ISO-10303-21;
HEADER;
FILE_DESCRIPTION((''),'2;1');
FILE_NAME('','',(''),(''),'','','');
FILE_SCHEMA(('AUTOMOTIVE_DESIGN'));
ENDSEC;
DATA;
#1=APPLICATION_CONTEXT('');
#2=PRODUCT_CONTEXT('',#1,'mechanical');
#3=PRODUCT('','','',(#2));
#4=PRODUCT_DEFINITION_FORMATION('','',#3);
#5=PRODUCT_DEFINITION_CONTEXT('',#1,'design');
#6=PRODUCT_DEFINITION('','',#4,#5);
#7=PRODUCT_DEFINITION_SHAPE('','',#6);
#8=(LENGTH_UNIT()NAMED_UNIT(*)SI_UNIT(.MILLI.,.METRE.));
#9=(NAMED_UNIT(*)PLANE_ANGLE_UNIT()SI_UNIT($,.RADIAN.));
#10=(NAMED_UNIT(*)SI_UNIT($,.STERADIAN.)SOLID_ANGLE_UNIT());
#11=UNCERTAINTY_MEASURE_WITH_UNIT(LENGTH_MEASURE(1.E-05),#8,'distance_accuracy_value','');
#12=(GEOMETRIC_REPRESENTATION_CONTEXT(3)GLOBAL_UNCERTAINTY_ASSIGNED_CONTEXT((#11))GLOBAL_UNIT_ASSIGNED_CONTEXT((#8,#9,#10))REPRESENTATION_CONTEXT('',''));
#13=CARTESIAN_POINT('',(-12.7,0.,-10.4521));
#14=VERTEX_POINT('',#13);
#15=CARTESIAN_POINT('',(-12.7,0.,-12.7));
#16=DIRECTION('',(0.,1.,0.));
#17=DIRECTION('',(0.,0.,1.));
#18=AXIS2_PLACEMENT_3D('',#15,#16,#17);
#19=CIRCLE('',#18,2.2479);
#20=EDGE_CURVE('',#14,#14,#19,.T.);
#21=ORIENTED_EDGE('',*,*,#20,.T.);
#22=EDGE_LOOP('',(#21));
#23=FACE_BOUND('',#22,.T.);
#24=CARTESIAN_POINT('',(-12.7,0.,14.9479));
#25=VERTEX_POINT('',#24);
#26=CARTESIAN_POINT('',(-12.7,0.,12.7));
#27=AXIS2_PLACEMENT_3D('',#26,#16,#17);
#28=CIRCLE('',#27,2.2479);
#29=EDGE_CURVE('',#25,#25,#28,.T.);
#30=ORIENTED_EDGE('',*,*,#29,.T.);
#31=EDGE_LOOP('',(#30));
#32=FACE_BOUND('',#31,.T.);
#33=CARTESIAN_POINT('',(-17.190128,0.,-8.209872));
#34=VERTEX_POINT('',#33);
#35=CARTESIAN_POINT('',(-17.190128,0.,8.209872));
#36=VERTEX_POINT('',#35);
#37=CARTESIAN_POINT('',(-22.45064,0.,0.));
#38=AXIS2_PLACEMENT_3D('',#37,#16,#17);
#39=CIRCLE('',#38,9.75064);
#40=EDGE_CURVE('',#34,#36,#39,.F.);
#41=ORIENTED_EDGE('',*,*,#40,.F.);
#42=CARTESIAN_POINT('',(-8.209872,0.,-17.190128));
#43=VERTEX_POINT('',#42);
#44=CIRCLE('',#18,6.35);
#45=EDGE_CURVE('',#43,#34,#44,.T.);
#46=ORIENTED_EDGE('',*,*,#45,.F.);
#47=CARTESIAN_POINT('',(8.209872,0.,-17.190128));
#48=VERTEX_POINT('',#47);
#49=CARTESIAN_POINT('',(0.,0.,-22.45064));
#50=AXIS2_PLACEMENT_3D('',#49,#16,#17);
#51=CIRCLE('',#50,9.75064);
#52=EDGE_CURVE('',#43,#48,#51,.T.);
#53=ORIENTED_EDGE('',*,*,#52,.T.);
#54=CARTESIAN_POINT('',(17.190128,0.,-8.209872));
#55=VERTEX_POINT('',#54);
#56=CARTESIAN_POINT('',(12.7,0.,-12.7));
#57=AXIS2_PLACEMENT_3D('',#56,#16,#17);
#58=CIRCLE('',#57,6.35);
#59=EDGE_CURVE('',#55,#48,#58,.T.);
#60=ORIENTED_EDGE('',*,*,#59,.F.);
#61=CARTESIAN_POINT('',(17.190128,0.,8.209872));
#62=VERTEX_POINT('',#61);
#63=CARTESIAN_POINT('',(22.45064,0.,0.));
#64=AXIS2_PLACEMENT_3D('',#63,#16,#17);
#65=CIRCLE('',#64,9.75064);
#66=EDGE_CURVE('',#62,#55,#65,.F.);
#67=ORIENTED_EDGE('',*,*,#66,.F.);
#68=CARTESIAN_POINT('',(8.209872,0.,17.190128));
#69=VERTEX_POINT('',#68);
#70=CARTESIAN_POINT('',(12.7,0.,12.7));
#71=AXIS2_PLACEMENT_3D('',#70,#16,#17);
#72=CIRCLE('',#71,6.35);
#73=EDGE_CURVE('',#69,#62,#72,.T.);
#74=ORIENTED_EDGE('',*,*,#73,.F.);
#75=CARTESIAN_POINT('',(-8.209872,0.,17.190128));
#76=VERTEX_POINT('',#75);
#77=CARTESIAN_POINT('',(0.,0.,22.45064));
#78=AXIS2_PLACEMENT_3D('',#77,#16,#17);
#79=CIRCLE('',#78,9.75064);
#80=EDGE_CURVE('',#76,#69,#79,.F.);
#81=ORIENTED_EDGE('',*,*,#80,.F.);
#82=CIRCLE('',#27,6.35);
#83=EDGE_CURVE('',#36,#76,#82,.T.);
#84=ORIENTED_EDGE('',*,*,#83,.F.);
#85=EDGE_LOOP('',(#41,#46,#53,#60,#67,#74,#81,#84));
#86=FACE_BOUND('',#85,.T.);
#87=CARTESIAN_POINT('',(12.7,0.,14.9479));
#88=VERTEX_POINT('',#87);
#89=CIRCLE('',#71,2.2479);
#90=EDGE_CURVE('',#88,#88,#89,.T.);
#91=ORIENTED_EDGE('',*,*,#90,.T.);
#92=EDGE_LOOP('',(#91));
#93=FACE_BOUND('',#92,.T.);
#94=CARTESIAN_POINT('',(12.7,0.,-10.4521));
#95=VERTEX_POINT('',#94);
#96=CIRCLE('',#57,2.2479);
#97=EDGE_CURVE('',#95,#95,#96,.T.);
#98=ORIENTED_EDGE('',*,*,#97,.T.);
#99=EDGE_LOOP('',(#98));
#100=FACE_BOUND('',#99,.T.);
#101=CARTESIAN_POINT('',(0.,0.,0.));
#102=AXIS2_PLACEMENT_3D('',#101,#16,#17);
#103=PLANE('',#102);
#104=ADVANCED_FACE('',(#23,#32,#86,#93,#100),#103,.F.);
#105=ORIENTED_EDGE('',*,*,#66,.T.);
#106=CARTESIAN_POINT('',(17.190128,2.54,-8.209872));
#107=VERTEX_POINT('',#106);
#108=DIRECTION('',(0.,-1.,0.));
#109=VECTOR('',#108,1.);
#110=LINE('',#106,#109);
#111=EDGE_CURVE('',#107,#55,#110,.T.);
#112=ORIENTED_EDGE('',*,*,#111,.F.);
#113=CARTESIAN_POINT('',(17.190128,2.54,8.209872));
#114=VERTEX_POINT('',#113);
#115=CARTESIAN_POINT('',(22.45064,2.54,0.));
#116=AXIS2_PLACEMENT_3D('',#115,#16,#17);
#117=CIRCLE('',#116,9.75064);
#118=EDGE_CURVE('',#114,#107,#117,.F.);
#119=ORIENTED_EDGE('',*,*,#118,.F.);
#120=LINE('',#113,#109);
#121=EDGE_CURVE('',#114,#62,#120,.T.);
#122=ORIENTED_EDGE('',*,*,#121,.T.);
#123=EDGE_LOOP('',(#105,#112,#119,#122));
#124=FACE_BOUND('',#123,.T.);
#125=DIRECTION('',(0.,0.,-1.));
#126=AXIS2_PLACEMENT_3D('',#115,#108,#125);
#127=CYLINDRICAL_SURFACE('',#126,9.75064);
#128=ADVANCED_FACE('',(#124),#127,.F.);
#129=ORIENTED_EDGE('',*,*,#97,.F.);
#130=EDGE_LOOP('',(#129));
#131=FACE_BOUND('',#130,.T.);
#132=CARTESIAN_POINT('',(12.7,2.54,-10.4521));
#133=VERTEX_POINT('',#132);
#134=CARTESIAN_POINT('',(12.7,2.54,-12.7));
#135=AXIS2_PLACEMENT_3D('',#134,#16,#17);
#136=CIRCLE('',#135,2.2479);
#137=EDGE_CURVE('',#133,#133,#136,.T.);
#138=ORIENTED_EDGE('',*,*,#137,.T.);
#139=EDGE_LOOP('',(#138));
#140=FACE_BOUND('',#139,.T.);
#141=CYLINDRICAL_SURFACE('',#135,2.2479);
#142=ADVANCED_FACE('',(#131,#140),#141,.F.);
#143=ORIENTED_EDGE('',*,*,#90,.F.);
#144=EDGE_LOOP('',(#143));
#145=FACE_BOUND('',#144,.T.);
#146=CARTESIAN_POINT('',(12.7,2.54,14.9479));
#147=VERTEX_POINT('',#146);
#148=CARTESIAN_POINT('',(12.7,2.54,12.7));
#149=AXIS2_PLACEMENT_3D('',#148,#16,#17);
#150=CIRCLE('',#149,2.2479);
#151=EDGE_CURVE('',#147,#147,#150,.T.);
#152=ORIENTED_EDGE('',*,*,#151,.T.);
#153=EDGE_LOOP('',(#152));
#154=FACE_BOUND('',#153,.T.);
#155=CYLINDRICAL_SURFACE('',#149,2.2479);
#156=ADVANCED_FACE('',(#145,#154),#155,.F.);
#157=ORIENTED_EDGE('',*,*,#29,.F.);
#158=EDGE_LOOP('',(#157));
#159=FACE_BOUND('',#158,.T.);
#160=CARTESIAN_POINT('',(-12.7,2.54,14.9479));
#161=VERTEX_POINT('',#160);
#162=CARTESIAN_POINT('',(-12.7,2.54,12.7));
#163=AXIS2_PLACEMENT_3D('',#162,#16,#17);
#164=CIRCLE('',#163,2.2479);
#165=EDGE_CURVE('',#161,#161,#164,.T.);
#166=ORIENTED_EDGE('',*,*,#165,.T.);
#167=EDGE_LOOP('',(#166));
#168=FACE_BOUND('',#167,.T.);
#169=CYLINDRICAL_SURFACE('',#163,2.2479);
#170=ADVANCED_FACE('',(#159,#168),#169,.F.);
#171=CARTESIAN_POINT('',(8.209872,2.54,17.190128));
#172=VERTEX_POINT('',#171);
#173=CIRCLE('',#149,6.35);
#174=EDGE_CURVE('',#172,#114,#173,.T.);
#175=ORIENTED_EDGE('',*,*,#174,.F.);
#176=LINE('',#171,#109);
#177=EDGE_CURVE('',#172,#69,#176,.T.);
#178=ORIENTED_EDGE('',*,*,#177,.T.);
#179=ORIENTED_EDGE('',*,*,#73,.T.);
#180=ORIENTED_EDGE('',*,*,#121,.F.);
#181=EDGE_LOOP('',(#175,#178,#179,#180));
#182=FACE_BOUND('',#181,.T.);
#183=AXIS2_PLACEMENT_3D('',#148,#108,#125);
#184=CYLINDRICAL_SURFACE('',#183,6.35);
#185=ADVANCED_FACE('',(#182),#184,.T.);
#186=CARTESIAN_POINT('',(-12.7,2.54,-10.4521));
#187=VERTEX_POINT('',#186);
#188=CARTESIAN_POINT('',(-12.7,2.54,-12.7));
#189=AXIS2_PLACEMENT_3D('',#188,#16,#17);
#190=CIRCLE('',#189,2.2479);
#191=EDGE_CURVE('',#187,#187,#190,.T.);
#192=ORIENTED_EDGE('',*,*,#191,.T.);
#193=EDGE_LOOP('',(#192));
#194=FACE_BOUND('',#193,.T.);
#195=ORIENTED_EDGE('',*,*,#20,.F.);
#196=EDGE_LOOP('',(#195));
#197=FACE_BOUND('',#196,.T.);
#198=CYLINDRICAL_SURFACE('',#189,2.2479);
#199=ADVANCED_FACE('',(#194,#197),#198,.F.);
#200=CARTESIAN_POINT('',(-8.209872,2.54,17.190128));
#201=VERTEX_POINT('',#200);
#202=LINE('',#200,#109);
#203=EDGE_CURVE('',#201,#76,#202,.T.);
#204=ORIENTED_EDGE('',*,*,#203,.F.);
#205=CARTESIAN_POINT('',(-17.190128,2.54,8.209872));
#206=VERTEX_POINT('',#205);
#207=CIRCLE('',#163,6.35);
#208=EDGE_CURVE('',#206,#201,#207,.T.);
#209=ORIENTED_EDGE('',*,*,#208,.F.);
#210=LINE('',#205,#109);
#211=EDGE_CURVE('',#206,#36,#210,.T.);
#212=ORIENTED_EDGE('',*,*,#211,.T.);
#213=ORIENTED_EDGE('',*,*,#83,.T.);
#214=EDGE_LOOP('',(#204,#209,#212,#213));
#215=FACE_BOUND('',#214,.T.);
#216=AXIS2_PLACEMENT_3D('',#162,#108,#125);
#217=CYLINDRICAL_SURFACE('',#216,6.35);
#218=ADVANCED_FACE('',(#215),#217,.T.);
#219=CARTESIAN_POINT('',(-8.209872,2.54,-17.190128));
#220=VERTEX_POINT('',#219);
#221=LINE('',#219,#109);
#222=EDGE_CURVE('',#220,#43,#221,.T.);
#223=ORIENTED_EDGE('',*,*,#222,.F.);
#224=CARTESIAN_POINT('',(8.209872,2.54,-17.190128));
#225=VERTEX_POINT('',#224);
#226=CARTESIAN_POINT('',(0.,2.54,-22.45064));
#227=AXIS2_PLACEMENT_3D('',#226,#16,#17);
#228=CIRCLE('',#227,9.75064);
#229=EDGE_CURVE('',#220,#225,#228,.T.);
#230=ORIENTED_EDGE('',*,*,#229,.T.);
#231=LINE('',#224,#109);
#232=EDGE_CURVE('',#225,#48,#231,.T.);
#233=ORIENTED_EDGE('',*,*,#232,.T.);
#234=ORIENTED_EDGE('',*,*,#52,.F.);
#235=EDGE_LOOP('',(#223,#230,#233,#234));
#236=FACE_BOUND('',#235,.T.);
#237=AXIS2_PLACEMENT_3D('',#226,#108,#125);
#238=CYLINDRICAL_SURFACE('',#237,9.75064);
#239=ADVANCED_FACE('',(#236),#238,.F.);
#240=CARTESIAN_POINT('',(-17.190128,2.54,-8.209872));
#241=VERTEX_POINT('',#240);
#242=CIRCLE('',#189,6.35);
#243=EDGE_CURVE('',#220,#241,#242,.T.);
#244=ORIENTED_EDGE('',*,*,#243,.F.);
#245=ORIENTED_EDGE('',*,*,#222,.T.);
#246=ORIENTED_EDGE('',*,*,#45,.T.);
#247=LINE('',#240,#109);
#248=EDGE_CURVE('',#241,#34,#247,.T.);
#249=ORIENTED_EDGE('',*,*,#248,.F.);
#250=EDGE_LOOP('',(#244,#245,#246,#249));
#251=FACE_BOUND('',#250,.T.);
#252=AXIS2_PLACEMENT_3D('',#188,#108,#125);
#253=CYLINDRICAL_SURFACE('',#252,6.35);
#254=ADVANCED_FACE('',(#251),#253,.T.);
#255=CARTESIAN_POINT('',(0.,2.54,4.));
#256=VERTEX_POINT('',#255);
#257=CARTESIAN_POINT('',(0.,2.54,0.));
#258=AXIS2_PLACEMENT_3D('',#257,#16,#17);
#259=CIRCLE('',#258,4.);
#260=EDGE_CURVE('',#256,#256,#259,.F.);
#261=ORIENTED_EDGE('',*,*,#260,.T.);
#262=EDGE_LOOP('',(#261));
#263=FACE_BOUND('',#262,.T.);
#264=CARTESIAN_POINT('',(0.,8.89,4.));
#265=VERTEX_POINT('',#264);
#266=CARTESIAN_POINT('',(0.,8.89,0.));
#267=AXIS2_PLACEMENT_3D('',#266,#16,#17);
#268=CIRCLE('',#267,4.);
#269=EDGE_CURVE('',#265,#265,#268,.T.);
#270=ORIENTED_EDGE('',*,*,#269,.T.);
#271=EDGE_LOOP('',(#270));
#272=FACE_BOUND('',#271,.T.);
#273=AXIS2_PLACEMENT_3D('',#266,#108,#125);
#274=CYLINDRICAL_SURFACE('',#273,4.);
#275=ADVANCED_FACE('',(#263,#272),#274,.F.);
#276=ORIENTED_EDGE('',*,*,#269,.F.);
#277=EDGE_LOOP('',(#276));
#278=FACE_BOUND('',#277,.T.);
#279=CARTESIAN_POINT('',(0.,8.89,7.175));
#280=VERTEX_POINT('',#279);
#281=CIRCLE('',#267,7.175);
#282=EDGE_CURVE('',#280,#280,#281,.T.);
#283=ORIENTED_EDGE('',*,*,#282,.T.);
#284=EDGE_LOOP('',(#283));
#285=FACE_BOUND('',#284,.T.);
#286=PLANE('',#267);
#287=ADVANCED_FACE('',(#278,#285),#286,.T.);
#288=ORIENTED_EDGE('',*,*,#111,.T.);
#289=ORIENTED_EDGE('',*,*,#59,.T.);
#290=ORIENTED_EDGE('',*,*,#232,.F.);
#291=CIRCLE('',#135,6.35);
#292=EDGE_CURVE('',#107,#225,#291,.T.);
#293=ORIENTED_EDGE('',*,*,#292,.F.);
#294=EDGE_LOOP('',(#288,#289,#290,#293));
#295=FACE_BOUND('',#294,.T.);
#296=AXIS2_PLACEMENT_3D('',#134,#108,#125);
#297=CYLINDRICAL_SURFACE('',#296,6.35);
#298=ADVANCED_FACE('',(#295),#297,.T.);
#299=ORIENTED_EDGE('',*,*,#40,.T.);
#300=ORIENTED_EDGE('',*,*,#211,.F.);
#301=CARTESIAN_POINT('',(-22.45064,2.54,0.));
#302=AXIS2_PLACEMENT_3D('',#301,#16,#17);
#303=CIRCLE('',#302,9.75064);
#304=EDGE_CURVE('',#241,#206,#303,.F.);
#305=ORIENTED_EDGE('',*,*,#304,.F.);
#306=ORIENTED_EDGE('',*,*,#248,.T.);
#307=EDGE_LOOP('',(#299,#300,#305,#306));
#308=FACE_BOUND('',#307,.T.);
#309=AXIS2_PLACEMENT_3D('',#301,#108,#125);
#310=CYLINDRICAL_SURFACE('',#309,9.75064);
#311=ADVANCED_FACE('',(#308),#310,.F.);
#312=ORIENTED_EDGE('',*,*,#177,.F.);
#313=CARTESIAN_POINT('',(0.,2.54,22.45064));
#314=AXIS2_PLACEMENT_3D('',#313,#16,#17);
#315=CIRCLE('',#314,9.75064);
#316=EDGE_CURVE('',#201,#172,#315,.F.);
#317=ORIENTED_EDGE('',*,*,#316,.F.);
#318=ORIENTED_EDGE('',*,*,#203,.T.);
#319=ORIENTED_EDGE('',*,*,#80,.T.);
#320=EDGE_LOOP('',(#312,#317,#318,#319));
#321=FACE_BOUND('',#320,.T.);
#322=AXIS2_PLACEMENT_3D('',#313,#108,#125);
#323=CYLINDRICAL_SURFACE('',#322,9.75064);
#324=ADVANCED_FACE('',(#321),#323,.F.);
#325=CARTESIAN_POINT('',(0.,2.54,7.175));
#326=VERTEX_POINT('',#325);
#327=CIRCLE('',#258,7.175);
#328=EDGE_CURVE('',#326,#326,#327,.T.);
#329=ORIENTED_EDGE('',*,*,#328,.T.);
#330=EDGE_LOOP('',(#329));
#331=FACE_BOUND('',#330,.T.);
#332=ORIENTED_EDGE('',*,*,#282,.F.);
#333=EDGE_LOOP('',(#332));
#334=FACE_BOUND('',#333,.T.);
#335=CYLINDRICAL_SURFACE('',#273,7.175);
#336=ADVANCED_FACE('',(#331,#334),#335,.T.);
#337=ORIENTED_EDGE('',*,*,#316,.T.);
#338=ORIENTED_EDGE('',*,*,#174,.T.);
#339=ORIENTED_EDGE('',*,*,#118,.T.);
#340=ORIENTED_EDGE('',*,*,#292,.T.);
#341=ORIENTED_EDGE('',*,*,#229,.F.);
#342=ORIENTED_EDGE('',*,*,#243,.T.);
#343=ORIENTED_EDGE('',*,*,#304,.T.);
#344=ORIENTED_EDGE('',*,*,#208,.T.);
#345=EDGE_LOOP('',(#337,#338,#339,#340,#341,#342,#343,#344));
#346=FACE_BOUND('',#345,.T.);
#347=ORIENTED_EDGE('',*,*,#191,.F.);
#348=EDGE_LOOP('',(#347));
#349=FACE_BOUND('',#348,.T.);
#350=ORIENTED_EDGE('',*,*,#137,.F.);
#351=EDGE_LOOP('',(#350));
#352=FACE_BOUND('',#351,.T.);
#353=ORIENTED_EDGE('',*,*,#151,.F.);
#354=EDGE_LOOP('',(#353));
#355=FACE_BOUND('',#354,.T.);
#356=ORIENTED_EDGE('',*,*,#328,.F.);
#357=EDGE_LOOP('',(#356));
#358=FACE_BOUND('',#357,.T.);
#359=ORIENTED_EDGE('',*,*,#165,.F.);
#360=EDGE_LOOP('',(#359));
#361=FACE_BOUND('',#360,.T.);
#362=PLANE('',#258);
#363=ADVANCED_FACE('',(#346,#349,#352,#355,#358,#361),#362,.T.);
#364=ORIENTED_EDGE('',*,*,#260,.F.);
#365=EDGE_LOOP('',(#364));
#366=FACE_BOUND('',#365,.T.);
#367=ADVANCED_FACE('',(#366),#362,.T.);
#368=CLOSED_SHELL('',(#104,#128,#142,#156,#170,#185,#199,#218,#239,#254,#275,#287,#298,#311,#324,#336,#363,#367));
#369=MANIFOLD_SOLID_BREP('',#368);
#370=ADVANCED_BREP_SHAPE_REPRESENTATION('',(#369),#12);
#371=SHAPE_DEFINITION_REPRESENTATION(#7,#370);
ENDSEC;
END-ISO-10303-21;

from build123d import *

# Parameters (mm, degrees)
SKETCH1_R             = 7.175
SKETCH1_R_2           = 4
BOSS_EXTRUDE1_DEPTH   = 2.54
BOSS_EXTRUDE2_START   = 2.54
SKETCH1_3_R           = 7.175
SKETCH1_3_R_2         = 4
BOSS_EXTRUDE2_DEPTH   = 6.35
F_8_CLEARANCE_HOLE1_D = 4.4958


with BuildPart() as part:
    # Sketch1 → Boss-Extrude1 (new body)
    # profile 1 of 7: a face of its own
    with BuildSketch(Plane(origin=(0, 0, 0), x_dir=(1, 0, 0), z_dir=(0, 1, 0))):
        with BuildLine():
            ThreePointArc((-6.35, -12.7), (-9.526522643, -7.199859868), (-15.878044557, -7.202497586))
            ThreePointArc((-15.878044557, -7.202497586), (-16.512685104, -7.734059372), (-17.190128061, -8.209871939))
            ThreePointArc((-17.190128061, -8.209871939), (-17.190128061, -17.190128061), (-8.209871939, -17.190128061))
            ThreePointArc((-8.209871939, -17.190128061), (-7.734059372, -16.512685104), (-7.202497586, -15.878044557))
            ThreePointArc((-7.202497586, -15.878044557), (-6.566826257, -14.345199026), (-6.35, -12.7))
        make_face()
    # profile 2 of 7: a face of its own
    with BuildSketch(Plane(origin=(0, 0, 0), x_dir=(1, 0, 0), z_dir=(0, 1, 0))):
        with BuildLine():
            ThreePointArc((7.202497586, 15.878044557), (0, 12.7), (-7.202497586, 15.878044557))
            ThreePointArc((-7.202497586, 15.878044557), (-6.566826257, 14.345199026), (-6.35, 12.7))
            ThreePointArc((-6.35, 12.7), (-9.526522643, 7.199859868), (-15.878044557, 7.202497586))
            ThreePointArc((-15.878044557, 7.202497586), (-12.7, 0), (-15.878044557, -7.202497586))
            ThreePointArc((-15.878044557, -7.202497586), (-9.526522643, -7.199859868), (-6.35, -12.7))
            ThreePointArc((-6.35, -12.7), (-6.566826257, -14.345199026), (-7.202497586, -15.878044557))
            ThreePointArc((-7.202497586, -15.878044557), (0, -12.7), (7.202497586, -15.878044557))
            ThreePointArc((7.202497586, -15.878044557), (8.209871939, -8.209871939), (15.878044557, -7.202497586))
            ThreePointArc((15.878044557, -7.202497586), (12.7, 0), (15.878044557, 7.202497586))
            ThreePointArc((15.878044557, 7.202497586), (8.209871939, 8.209871939), (7.202497586, 15.878044557))
        make_face()
        Circle(SKETCH1_R, mode=Mode.SUBTRACT)
    # profile 3 of 7: a face of its own
    with BuildSketch(Plane(origin=(0, 0, 0), x_dir=(1, 0, 0), z_dir=(0, 1, 0))):
        with BuildLine():
            ThreePointArc((17.190128061, -8.209871939), (16.512685104, -7.734059372), (15.878044557, -7.202497586))
            ThreePointArc((15.878044557, -7.202497586), (8.209871939, -8.209871939), (7.202497586, -15.878044557))
            ThreePointArc((7.202497586, -15.878044557), (7.734059372, -16.512685104), (8.209871939, -17.190128061))
            ThreePointArc((8.209871939, -17.190128061), (15.130039796, -18.566635031), (19.05, -12.7))
            ThreePointArc((19.05, -12.7), (18.566635031, -10.269960204), (17.190128061, -8.209871939))
        make_face()
    # profile 4 of 7: a face of its own
    with BuildSketch(Plane(origin=(0, 0, 0), x_dir=(1, 0, 0), z_dir=(0, 1, 0))):
        with BuildLine():
            ThreePointArc((8.209871939, 17.190128061), (7.734059372, 16.512685104), (7.202497586, 15.878044557))
            ThreePointArc((7.202497586, 15.878044557), (8.209871939, 8.209871939), (15.878044557, 7.202497586))
            ThreePointArc((15.878044557, 7.202497586), (16.512685104, 7.734059372), (17.190128061, 8.209871939))
            ThreePointArc((17.190128061, 8.209871939), (18.566635031, 10.269960204), (19.05, 12.7))
            ThreePointArc((19.05, 12.7), (15.130039796, 18.566635031), (8.209871939, 17.190128061))
        make_face()
    # profile 5 of 7: a face of its own
    with BuildSketch(Plane(origin=(0, 0, 0), x_dir=(1, 0, 0), z_dir=(0, 1, 0))):
        Circle(SKETCH1_R)
        Circle(SKETCH1_R_2, mode=Mode.SUBTRACT)
    # profile 6 of 7: a face of its own
    with BuildSketch(Plane(origin=(0, 0, 0), x_dir=(1, 0, 0), z_dir=(0, 1, 0))):
        Circle(SKETCH1_R_2)
    # profile 7 of 7: a face of its own
    with BuildSketch(Plane(origin=(0, 0, 0), x_dir=(1, 0, 0), z_dir=(0, 1, 0))):
        with BuildLine():
            ThreePointArc((-7.202497586, 15.878044557), (-7.734059372, 16.512685104), (-8.209871939, 17.190128061))
            ThreePointArc((-8.209871939, 17.190128061), (-17.190128061, 17.190128061), (-17.190128061, 8.209871939))
            ThreePointArc((-17.190128061, 8.209871939), (-16.512685104, 7.734059372), (-15.878044557, 7.202497586))
            ThreePointArc((-15.878044557, 7.202497586), (-9.526522643, 7.199859868), (-6.35, 12.7))
            ThreePointArc((-6.35, 12.7), (-6.566826257, 14.345199026), (-7.202497586, 15.878044557))
        make_face()
    extrude(amount=BOSS_EXTRUDE1_DEPTH)

    # Sketch1<3> → Boss-Extrude2 (add)
    with BuildSketch(Plane(origin=(0, 0, 0), x_dir=(1, 0, 0), z_dir=(0, 1, 0)).offset(BOSS_EXTRUDE2_START)):
        with Locations(Location((0, 0, 0), (0, 0, 270))):
            Circle(SKETCH1_3_R)
        with Locations(Location((0, 0, 0), (0, 0, 270))):
            Circle(SKETCH1_3_R_2, mode=Mode.SUBTRACT)
    extrude(amount=BOSS_EXTRUDE2_DEPTH)

    # #8 Clearance Hole1 (through all)
    with Locations(Plane(origin=(0, 2.54, 0), x_dir=(1, 0, 0), z_dir=(0, 1, 0))):
        with Locations((-12.7, 12.7), (12.7, 12.7), (12.7, -12.7), (-12.7, -12.7)):
            Hole(F_8_CLEARANCE_HOLE1_D / 2)


solid = part.part
